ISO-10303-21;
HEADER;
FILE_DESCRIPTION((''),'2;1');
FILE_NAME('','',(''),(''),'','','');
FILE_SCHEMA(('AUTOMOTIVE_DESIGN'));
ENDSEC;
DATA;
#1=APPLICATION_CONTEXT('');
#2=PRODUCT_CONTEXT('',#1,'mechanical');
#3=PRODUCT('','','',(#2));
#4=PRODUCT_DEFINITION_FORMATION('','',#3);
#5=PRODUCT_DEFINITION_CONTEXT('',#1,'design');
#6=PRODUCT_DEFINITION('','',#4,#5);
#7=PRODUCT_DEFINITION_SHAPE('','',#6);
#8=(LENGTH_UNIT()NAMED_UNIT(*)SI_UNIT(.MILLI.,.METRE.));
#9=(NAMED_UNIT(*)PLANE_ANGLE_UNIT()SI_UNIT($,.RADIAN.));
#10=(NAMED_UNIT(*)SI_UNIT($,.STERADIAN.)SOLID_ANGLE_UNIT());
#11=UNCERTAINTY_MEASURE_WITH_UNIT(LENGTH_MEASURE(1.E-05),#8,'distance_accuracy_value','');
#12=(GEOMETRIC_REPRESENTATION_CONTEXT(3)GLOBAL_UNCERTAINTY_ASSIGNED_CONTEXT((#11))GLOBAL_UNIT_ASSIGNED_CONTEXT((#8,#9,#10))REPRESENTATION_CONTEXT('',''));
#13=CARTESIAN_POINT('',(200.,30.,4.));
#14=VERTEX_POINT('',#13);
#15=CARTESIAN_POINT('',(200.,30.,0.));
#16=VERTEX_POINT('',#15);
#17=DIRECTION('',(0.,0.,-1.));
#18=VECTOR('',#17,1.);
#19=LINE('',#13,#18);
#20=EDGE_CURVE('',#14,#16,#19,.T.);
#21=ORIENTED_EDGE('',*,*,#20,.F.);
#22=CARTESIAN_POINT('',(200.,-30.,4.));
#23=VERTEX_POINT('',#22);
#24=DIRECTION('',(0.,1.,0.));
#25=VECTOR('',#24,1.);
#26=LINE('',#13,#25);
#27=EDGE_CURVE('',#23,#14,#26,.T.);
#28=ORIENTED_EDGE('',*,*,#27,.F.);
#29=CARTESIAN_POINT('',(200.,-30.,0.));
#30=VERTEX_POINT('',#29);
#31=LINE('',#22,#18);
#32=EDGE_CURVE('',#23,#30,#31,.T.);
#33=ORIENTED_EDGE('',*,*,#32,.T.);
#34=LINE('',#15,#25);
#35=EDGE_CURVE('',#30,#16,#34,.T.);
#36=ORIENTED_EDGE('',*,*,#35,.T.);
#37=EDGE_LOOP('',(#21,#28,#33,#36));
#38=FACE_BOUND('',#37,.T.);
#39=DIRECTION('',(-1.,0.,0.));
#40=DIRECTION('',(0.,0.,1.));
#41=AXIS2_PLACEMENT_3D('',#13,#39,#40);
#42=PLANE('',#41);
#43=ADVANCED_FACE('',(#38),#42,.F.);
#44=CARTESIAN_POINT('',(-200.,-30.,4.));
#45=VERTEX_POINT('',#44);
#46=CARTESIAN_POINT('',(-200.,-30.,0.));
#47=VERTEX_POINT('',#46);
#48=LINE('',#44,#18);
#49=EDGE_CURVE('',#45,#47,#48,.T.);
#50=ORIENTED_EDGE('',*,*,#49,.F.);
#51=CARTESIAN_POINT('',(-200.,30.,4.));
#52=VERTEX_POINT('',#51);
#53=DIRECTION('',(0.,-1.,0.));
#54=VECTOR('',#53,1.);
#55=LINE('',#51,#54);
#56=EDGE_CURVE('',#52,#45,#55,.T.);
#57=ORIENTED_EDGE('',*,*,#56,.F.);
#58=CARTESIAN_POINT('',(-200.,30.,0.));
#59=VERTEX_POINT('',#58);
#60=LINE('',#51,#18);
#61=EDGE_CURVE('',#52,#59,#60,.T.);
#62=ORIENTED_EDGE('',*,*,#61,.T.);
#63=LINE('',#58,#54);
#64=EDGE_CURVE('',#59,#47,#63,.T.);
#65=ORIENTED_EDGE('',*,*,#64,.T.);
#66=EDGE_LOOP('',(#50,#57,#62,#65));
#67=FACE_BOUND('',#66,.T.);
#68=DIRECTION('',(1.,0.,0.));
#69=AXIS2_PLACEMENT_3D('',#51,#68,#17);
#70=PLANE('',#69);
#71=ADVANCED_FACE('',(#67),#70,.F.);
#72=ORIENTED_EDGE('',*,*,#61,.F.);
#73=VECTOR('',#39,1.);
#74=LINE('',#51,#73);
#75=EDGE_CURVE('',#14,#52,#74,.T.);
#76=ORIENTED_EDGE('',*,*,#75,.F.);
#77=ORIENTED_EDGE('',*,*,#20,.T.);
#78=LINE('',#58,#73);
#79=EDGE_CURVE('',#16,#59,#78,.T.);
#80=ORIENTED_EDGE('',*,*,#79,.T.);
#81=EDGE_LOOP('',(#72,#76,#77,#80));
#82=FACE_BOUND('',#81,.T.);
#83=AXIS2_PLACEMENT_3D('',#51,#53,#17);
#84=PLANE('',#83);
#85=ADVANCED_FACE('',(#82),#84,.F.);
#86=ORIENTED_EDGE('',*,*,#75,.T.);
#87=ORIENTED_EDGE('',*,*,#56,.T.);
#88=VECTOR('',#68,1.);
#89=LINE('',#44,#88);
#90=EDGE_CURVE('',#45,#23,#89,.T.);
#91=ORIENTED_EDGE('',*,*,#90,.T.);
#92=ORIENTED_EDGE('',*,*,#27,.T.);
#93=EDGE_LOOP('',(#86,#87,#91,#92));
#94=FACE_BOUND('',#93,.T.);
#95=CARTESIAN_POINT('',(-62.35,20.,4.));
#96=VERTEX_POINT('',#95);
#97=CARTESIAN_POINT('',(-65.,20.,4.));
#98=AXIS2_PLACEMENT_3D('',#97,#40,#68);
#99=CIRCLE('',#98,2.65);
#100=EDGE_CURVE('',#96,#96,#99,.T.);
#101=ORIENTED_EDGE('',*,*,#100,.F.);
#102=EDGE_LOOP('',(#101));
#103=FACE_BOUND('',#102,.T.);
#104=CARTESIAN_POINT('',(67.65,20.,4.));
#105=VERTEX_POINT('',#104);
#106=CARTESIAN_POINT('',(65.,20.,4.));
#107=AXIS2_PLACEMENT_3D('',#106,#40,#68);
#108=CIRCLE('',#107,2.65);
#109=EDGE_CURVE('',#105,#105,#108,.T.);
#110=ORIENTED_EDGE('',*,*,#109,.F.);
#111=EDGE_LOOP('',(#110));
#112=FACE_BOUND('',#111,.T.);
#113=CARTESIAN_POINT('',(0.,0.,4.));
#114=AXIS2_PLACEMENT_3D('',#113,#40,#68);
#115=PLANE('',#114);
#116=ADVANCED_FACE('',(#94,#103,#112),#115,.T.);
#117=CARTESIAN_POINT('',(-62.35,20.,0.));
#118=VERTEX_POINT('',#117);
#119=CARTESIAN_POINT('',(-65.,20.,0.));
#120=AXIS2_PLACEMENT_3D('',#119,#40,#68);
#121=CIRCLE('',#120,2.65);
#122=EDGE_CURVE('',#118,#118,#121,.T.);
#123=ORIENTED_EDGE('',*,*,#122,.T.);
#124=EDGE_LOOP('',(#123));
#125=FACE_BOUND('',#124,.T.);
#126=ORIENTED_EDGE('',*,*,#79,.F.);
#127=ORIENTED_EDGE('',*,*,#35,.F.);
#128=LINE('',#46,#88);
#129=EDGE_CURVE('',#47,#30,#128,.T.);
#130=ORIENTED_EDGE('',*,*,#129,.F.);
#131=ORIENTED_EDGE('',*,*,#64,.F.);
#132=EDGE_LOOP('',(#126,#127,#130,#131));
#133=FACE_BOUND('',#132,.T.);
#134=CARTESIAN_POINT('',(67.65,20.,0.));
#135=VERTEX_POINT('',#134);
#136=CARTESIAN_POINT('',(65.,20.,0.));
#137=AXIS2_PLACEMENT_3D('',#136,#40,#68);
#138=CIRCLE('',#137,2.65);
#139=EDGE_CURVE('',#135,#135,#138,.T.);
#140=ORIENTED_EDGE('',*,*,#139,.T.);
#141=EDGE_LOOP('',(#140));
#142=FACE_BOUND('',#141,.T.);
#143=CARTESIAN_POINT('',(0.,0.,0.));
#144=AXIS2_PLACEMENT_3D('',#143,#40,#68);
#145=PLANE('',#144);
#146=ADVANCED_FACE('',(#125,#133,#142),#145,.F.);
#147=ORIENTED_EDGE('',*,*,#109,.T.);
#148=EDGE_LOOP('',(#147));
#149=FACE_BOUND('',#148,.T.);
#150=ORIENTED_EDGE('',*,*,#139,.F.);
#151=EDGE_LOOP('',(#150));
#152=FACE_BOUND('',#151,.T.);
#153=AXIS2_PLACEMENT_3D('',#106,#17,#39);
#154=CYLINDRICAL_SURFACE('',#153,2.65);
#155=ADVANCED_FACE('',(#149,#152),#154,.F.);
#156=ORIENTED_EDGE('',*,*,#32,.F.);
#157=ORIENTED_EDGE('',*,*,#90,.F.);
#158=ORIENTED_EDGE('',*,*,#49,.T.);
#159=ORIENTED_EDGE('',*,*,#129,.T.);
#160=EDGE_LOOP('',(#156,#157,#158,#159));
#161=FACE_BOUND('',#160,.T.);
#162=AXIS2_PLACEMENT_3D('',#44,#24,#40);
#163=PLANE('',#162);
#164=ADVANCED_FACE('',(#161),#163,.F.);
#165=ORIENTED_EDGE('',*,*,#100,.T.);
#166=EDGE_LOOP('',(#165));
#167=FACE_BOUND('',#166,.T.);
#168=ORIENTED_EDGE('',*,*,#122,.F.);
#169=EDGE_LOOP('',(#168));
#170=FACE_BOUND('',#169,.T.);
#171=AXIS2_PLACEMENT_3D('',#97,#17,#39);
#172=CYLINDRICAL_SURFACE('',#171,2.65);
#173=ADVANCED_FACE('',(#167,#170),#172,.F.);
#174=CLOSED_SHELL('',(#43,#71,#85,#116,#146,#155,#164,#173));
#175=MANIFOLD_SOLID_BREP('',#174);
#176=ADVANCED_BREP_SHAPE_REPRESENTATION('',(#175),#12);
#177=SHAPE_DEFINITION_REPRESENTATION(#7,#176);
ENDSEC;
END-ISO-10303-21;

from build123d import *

# Parameters (mm, degrees)
SKETCH_1_W      = 400
SKETCH_1_H      = 60
SKETCH_1_R      = 2.65
EXTRUDE_1_DEPTH = 4


with BuildPart() as part:
    # 草图1 → 凸台-拉伸1 (new body)
    with BuildSketch(Plane.XY):
        Rectangle(SKETCH_1_W, SKETCH_1_H)
        with Locations((-65, 20)):
            Circle(SKETCH_1_R, mode=Mode.SUBTRACT)
        with Locations((65, 20)):
            Circle(SKETCH_1_R, mode=Mode.SUBTRACT)
    extrude(amount=EXTRUDE_1_DEPTH)


solid = part.part
